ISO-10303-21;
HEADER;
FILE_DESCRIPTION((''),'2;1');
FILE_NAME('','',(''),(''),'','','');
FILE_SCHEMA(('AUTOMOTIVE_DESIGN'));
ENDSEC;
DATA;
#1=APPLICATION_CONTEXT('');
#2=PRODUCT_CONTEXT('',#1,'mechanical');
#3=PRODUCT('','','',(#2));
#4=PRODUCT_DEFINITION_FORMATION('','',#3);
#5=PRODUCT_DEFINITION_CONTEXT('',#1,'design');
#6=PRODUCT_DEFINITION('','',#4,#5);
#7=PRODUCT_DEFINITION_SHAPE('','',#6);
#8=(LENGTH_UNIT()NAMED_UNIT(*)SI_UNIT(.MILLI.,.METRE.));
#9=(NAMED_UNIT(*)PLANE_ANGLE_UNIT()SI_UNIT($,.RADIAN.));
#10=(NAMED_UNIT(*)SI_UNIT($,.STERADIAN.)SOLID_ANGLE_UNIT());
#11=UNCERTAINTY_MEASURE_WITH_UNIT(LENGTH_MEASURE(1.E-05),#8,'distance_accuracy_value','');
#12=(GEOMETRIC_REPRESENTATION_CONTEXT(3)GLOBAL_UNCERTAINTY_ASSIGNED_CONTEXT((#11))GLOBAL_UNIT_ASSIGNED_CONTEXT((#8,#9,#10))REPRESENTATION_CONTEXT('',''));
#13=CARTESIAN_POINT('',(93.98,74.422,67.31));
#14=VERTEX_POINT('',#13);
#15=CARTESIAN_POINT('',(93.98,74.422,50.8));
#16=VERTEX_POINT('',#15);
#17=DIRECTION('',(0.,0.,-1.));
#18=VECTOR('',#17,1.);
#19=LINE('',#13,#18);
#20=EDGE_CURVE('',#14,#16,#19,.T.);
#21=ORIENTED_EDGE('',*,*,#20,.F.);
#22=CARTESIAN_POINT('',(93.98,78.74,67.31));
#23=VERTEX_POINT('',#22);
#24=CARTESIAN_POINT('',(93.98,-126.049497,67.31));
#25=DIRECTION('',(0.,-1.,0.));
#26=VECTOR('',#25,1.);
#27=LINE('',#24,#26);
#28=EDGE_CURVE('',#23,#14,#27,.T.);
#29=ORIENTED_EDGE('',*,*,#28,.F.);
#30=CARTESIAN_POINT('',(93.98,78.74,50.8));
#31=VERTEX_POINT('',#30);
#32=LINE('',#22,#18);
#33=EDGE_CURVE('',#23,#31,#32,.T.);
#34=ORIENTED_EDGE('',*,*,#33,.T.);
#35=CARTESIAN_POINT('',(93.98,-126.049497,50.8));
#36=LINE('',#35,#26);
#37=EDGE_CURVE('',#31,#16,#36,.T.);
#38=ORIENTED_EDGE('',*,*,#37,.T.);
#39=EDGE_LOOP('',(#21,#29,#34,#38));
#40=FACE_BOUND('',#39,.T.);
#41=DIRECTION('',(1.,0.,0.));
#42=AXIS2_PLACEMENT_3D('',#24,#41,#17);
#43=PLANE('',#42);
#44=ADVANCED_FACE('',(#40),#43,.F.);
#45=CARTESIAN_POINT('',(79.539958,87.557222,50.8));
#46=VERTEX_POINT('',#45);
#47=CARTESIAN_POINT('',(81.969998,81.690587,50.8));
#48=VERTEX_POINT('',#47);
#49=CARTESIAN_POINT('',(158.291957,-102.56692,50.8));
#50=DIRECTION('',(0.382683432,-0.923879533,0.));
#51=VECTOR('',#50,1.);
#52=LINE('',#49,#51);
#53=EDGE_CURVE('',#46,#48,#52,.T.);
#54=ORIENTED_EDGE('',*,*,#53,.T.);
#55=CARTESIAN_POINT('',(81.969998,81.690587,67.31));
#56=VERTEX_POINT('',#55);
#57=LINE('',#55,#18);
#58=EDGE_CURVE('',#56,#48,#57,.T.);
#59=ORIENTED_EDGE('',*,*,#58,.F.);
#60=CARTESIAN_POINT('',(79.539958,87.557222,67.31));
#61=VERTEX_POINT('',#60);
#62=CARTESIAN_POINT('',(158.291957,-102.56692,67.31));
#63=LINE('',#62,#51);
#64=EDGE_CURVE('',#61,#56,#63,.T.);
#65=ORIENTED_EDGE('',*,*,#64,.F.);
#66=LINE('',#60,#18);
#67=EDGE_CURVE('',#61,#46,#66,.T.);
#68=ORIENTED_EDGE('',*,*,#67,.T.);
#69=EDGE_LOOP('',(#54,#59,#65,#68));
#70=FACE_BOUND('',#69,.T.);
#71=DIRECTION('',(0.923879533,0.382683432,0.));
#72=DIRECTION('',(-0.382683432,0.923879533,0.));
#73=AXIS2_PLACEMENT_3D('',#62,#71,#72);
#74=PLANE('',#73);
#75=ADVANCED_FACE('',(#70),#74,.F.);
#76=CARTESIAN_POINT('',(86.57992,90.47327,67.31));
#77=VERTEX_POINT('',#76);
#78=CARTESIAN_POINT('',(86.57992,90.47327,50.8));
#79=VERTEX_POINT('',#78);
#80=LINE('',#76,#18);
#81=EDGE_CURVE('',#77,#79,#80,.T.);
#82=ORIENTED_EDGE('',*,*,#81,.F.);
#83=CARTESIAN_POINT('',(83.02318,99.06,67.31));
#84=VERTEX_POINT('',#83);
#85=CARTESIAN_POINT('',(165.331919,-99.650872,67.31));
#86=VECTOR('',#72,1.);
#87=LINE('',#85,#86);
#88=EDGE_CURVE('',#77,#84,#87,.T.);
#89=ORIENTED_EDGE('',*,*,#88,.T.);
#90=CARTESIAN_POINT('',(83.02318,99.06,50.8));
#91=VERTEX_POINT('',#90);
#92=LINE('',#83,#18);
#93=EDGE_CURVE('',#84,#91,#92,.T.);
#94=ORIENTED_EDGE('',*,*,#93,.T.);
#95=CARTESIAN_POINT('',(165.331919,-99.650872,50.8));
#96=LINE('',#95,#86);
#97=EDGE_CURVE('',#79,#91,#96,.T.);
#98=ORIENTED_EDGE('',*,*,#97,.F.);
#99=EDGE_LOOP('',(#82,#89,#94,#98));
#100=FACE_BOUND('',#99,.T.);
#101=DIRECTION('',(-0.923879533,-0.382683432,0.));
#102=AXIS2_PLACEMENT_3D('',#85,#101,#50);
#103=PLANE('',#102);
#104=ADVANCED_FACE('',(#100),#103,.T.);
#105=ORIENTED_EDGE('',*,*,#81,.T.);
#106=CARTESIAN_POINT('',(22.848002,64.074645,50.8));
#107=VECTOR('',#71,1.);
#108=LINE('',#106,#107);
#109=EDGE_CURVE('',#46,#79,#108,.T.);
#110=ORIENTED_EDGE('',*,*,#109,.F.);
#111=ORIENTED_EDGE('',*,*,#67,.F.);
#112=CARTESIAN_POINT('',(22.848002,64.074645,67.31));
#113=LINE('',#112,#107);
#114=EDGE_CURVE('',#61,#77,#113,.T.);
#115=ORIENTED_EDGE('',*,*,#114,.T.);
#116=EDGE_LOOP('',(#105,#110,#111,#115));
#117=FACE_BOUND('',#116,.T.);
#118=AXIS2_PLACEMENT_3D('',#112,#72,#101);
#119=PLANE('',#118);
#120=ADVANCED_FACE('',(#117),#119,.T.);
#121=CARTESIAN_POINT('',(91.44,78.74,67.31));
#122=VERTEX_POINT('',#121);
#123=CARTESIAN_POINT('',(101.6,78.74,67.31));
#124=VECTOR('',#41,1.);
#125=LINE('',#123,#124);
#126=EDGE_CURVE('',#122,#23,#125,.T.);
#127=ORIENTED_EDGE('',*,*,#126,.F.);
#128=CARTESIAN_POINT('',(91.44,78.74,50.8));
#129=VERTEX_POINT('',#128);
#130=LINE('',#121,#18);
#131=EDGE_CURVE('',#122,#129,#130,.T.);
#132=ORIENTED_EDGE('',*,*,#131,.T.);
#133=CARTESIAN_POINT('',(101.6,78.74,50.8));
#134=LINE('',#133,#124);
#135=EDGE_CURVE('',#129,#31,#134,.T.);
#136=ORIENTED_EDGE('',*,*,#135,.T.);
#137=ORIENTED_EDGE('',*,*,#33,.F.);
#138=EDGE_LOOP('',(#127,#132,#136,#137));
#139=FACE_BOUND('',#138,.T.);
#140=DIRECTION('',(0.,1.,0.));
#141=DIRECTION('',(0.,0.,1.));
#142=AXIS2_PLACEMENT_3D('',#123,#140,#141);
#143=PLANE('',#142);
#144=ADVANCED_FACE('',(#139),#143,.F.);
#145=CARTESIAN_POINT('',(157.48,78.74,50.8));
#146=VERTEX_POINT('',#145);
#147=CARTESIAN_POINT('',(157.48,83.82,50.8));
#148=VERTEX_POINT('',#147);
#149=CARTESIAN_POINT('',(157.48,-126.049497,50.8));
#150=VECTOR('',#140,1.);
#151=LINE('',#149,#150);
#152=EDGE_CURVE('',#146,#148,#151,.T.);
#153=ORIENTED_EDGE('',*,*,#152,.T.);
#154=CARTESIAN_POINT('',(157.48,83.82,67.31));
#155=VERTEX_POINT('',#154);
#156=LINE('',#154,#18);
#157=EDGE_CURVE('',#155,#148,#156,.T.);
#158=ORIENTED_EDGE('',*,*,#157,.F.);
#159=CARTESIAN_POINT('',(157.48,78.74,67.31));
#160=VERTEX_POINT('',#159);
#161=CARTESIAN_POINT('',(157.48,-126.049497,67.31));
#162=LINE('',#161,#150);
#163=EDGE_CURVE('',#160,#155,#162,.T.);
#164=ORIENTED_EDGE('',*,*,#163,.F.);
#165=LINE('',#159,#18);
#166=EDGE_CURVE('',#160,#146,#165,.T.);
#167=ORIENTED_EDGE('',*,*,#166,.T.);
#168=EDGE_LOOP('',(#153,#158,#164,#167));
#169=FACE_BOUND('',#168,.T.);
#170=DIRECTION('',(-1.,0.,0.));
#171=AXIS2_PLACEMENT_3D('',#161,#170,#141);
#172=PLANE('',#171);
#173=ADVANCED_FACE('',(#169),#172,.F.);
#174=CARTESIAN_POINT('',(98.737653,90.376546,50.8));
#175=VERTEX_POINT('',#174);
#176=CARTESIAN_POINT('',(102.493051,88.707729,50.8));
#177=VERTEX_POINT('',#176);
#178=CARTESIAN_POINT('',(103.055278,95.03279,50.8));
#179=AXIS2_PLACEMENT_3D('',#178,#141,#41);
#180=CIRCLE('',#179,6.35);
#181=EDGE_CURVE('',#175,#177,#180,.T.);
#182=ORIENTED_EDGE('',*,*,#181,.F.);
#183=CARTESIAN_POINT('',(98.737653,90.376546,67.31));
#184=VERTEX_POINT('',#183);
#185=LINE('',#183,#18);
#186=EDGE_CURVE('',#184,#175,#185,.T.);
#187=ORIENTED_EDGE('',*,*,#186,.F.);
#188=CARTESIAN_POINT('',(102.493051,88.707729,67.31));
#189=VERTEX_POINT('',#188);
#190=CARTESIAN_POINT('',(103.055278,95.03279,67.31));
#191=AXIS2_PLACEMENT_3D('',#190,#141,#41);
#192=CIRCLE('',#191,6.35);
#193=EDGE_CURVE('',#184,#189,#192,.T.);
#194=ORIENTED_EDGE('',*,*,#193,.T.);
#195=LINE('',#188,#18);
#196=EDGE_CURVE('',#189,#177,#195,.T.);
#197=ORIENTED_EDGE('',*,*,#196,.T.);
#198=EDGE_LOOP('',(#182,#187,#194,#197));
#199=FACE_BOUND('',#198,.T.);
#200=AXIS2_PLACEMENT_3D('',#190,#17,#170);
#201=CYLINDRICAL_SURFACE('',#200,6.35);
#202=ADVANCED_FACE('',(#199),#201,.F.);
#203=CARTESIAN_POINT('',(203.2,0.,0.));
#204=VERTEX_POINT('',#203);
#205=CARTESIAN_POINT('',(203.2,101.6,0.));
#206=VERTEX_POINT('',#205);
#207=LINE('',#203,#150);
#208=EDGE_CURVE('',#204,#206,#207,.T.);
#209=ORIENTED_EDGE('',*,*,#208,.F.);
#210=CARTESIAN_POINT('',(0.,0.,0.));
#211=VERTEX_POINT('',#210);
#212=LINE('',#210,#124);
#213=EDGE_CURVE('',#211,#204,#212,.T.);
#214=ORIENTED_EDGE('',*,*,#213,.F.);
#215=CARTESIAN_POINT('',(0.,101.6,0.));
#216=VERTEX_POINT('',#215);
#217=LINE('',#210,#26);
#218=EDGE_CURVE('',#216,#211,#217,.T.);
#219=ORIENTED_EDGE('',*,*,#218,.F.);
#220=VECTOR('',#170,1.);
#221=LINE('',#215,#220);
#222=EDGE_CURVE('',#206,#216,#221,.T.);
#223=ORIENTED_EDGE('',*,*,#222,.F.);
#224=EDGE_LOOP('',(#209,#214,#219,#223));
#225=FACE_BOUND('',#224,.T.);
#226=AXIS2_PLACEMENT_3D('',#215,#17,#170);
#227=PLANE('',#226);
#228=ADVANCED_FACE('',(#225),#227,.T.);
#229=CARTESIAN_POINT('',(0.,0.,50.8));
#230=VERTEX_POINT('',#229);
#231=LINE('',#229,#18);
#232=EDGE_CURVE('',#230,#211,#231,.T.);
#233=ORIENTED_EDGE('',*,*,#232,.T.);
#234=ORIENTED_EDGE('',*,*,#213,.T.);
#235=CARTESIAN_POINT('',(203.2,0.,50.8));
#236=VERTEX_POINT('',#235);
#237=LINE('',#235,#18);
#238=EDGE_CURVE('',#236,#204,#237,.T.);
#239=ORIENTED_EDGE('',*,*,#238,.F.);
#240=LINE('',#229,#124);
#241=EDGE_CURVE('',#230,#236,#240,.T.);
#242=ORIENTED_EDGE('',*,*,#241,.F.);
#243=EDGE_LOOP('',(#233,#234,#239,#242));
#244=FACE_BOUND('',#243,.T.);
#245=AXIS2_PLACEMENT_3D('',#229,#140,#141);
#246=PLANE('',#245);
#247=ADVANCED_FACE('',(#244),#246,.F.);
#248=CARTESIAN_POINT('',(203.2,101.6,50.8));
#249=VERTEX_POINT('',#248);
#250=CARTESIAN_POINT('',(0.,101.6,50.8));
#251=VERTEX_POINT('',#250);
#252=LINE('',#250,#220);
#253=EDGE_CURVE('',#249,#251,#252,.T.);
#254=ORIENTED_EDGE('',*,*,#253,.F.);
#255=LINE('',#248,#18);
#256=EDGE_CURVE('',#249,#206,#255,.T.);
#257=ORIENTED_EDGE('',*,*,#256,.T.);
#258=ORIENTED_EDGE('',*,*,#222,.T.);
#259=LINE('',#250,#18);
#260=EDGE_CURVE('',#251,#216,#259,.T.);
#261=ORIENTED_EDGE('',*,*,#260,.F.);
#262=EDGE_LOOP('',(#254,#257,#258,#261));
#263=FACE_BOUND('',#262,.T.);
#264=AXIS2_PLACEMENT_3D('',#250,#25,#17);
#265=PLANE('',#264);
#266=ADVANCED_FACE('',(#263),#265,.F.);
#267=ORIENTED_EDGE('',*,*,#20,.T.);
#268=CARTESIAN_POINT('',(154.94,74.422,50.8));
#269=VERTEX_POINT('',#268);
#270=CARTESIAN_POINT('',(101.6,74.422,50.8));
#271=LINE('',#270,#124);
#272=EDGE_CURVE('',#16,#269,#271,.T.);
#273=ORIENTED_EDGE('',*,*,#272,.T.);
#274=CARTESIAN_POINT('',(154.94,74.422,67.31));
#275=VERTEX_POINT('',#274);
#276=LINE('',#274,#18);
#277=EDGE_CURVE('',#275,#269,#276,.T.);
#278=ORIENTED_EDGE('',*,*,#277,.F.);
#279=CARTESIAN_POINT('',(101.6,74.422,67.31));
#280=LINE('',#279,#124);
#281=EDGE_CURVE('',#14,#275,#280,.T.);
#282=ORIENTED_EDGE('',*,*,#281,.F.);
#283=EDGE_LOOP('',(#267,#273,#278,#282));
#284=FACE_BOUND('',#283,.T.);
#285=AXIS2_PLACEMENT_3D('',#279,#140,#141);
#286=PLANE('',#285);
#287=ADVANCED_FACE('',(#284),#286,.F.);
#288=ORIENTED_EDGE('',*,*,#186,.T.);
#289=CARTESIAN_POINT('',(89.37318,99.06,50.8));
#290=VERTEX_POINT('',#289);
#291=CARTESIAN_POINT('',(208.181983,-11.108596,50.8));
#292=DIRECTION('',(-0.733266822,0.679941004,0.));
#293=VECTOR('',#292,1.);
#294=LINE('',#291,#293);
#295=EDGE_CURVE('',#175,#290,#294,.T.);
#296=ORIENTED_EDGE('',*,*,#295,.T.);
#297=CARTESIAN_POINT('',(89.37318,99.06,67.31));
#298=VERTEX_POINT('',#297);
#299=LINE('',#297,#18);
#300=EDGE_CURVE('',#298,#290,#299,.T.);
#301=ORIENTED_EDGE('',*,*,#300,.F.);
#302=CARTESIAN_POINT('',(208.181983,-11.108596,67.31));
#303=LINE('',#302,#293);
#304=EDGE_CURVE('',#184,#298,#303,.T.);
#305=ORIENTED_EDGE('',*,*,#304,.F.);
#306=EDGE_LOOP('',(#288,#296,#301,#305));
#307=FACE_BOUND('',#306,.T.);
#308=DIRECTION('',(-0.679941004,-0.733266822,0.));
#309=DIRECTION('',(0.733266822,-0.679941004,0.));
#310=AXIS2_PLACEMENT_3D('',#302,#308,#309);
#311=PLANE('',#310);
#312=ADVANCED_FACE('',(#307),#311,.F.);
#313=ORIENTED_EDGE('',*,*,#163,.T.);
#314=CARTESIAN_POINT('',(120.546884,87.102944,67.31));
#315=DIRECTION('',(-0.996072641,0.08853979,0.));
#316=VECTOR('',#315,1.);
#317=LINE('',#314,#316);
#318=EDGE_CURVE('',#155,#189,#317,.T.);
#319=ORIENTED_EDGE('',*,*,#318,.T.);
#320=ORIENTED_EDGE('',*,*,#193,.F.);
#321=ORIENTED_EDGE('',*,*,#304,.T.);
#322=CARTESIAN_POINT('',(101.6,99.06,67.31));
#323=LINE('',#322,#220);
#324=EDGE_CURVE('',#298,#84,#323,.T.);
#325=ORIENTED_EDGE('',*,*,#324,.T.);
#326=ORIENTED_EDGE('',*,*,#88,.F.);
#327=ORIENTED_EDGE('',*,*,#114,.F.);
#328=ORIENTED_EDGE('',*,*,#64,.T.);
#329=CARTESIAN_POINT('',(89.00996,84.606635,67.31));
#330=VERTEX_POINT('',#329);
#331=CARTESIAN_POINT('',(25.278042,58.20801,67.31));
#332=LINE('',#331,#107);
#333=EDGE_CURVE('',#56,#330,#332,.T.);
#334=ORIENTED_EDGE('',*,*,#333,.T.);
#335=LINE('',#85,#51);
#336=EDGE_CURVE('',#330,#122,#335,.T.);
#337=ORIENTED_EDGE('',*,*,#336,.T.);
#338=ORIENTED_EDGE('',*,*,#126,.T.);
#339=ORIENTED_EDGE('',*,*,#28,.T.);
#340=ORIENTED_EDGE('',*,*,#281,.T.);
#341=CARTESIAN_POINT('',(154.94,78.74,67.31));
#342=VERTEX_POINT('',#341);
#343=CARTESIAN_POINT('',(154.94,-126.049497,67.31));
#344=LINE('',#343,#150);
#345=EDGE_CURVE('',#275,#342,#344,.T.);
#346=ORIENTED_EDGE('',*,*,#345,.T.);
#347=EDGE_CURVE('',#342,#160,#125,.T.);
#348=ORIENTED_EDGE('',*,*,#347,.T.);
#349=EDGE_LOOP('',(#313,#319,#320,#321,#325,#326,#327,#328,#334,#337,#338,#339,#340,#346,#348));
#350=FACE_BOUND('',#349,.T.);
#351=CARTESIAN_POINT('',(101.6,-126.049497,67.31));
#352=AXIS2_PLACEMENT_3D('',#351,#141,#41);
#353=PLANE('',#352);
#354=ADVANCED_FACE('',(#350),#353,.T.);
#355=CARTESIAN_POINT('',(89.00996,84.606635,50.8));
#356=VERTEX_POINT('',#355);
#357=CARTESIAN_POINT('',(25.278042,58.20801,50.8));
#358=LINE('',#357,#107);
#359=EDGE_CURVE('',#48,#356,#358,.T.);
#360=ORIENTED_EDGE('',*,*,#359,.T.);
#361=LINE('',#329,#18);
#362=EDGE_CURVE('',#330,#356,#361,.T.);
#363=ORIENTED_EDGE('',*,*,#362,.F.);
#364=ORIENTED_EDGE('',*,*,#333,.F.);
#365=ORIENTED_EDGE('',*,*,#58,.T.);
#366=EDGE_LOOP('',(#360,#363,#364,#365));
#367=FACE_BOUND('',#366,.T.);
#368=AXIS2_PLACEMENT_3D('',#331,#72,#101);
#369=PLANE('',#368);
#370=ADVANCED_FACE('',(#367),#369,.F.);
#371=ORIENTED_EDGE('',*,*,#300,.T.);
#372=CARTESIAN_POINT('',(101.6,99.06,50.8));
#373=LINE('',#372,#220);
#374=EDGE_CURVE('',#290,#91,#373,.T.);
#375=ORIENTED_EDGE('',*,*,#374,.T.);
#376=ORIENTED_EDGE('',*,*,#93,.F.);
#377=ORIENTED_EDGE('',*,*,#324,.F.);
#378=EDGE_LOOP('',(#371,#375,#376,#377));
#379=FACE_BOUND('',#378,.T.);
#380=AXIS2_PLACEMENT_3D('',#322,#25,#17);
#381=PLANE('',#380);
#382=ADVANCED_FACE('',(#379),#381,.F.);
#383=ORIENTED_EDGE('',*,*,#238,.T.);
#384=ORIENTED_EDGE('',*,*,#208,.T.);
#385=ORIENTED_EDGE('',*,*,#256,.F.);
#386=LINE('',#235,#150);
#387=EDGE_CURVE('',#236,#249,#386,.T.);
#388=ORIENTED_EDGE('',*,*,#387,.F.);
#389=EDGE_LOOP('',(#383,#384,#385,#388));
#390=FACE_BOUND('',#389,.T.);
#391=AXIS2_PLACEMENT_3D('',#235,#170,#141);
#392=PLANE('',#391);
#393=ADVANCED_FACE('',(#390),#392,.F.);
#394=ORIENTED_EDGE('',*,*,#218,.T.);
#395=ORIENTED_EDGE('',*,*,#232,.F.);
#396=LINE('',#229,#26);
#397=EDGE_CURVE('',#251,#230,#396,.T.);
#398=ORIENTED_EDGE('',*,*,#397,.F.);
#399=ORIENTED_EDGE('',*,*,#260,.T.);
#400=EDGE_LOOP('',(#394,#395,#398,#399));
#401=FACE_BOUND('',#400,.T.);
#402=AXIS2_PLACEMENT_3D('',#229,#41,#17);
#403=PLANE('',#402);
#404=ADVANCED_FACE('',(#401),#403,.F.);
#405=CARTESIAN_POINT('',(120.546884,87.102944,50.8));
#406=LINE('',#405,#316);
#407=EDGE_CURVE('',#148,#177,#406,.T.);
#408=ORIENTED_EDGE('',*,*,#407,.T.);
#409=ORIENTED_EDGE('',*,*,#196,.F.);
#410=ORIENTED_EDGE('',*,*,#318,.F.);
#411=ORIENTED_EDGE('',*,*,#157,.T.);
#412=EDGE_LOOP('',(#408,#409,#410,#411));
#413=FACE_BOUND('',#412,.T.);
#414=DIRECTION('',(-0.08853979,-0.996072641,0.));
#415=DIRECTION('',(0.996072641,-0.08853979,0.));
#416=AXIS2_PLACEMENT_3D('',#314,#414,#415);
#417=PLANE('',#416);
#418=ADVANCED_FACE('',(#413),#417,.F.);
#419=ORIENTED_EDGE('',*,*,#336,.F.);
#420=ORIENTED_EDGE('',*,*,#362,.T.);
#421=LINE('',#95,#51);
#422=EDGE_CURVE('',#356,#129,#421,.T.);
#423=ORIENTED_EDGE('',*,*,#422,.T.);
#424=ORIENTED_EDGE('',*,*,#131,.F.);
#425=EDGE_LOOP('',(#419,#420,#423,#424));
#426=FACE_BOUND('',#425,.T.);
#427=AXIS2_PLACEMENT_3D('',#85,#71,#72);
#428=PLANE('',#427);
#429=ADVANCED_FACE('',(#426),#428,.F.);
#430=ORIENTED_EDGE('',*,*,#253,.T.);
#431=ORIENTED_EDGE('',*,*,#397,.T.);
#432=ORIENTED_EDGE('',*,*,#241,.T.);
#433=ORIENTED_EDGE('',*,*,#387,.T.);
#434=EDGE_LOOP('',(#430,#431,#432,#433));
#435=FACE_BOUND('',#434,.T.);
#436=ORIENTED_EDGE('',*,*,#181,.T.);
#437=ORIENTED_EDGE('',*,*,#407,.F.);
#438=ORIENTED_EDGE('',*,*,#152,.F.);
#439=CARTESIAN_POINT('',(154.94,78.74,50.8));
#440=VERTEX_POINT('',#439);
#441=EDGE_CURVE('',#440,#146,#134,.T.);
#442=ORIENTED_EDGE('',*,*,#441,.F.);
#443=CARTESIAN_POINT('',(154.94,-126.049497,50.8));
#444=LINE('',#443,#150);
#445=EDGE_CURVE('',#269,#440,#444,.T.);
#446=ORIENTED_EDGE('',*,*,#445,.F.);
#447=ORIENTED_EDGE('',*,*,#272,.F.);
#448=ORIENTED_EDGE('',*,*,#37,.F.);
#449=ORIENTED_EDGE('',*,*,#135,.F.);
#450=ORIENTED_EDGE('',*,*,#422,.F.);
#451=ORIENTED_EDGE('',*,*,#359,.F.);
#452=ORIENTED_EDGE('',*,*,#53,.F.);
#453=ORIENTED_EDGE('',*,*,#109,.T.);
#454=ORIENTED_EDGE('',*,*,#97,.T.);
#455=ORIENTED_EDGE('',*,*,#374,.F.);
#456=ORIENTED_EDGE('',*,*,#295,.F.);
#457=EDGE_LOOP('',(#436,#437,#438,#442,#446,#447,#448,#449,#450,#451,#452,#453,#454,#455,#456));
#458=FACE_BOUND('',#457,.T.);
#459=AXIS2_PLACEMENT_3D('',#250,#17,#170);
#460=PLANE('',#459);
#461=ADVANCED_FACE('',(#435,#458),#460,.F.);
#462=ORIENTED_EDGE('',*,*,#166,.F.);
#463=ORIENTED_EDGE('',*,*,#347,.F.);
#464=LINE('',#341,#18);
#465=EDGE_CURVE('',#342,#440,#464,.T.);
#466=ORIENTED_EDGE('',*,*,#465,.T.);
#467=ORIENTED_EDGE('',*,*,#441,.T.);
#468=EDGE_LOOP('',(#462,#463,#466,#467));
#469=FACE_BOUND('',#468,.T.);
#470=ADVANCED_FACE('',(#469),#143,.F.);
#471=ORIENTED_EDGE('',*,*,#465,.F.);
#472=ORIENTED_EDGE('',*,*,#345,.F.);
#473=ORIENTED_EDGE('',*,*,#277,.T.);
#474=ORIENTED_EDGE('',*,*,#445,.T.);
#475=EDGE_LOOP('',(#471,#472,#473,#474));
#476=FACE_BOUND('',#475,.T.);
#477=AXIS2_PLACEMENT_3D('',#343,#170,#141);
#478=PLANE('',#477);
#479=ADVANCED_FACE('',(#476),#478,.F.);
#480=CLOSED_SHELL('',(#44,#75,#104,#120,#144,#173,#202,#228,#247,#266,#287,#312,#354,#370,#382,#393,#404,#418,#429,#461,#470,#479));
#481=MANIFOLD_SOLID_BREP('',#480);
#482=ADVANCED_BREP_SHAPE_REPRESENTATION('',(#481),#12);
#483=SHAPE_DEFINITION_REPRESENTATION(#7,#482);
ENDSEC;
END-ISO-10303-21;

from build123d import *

# Parameters (mm, degrees)
SKETCH1_W      = 203.2
SKETCH1_H      = 101.6
EXTRUDE1_DEPTH = 50.8
EXTRUDE2_DEPTH = 16.51


with BuildPart() as part:
    # Sketch1 → Extrude1 (new body)
    with BuildSketch(Plane.XY):
        with Locations((101.6, 50.8)):
            Rectangle(SKETCH1_W, SKETCH1_H)
    extrude(amount=EXTRUDE1_DEPTH)

    # Sketch20 → Extrude2 (add)
    with BuildSketch(Plane.XY.offset(50.8)):
        with BuildLine():
            ThreePointArc((98.73765298, 90.37654578), (100.476619995, 89.229944151), (102.493050685, 88.707728828))
            Line((102.493050685, 88.707728828), (157.48, 83.82))
            Line((157.48, 83.82), (157.48, 78.74))
            Line((157.48, 78.74), (154.94, 78.74))
            Line((154.94, 78.74), (154.94, 74.422))
            Line((154.94, 74.422), (93.98, 74.422))
            Line((93.98, 74.422), (93.98, 78.74))
            Line((93.98, 78.74), (91.44, 78.74))
            Line((91.44, 78.74), (89.009960204, 84.606635031))
            Line((89.009960204, 84.606635031), (81.969998167, 81.690587277))
            Line((81.969998167, 81.690587277), (79.539958371, 87.557222308))
            Line((79.539958371, 87.557222308), (86.579920409, 90.473270063))
            Line((86.579920409, 90.473270063), (83.023180413, 99.06))
            Line((83.023180413, 99.06), (89.373180413, 99.06))
            Line((89.373180413, 99.06), (98.73765298, 90.37654578))
        make_face()
    extrude(amount=EXTRUDE2_DEPTH)


solid = part.part
